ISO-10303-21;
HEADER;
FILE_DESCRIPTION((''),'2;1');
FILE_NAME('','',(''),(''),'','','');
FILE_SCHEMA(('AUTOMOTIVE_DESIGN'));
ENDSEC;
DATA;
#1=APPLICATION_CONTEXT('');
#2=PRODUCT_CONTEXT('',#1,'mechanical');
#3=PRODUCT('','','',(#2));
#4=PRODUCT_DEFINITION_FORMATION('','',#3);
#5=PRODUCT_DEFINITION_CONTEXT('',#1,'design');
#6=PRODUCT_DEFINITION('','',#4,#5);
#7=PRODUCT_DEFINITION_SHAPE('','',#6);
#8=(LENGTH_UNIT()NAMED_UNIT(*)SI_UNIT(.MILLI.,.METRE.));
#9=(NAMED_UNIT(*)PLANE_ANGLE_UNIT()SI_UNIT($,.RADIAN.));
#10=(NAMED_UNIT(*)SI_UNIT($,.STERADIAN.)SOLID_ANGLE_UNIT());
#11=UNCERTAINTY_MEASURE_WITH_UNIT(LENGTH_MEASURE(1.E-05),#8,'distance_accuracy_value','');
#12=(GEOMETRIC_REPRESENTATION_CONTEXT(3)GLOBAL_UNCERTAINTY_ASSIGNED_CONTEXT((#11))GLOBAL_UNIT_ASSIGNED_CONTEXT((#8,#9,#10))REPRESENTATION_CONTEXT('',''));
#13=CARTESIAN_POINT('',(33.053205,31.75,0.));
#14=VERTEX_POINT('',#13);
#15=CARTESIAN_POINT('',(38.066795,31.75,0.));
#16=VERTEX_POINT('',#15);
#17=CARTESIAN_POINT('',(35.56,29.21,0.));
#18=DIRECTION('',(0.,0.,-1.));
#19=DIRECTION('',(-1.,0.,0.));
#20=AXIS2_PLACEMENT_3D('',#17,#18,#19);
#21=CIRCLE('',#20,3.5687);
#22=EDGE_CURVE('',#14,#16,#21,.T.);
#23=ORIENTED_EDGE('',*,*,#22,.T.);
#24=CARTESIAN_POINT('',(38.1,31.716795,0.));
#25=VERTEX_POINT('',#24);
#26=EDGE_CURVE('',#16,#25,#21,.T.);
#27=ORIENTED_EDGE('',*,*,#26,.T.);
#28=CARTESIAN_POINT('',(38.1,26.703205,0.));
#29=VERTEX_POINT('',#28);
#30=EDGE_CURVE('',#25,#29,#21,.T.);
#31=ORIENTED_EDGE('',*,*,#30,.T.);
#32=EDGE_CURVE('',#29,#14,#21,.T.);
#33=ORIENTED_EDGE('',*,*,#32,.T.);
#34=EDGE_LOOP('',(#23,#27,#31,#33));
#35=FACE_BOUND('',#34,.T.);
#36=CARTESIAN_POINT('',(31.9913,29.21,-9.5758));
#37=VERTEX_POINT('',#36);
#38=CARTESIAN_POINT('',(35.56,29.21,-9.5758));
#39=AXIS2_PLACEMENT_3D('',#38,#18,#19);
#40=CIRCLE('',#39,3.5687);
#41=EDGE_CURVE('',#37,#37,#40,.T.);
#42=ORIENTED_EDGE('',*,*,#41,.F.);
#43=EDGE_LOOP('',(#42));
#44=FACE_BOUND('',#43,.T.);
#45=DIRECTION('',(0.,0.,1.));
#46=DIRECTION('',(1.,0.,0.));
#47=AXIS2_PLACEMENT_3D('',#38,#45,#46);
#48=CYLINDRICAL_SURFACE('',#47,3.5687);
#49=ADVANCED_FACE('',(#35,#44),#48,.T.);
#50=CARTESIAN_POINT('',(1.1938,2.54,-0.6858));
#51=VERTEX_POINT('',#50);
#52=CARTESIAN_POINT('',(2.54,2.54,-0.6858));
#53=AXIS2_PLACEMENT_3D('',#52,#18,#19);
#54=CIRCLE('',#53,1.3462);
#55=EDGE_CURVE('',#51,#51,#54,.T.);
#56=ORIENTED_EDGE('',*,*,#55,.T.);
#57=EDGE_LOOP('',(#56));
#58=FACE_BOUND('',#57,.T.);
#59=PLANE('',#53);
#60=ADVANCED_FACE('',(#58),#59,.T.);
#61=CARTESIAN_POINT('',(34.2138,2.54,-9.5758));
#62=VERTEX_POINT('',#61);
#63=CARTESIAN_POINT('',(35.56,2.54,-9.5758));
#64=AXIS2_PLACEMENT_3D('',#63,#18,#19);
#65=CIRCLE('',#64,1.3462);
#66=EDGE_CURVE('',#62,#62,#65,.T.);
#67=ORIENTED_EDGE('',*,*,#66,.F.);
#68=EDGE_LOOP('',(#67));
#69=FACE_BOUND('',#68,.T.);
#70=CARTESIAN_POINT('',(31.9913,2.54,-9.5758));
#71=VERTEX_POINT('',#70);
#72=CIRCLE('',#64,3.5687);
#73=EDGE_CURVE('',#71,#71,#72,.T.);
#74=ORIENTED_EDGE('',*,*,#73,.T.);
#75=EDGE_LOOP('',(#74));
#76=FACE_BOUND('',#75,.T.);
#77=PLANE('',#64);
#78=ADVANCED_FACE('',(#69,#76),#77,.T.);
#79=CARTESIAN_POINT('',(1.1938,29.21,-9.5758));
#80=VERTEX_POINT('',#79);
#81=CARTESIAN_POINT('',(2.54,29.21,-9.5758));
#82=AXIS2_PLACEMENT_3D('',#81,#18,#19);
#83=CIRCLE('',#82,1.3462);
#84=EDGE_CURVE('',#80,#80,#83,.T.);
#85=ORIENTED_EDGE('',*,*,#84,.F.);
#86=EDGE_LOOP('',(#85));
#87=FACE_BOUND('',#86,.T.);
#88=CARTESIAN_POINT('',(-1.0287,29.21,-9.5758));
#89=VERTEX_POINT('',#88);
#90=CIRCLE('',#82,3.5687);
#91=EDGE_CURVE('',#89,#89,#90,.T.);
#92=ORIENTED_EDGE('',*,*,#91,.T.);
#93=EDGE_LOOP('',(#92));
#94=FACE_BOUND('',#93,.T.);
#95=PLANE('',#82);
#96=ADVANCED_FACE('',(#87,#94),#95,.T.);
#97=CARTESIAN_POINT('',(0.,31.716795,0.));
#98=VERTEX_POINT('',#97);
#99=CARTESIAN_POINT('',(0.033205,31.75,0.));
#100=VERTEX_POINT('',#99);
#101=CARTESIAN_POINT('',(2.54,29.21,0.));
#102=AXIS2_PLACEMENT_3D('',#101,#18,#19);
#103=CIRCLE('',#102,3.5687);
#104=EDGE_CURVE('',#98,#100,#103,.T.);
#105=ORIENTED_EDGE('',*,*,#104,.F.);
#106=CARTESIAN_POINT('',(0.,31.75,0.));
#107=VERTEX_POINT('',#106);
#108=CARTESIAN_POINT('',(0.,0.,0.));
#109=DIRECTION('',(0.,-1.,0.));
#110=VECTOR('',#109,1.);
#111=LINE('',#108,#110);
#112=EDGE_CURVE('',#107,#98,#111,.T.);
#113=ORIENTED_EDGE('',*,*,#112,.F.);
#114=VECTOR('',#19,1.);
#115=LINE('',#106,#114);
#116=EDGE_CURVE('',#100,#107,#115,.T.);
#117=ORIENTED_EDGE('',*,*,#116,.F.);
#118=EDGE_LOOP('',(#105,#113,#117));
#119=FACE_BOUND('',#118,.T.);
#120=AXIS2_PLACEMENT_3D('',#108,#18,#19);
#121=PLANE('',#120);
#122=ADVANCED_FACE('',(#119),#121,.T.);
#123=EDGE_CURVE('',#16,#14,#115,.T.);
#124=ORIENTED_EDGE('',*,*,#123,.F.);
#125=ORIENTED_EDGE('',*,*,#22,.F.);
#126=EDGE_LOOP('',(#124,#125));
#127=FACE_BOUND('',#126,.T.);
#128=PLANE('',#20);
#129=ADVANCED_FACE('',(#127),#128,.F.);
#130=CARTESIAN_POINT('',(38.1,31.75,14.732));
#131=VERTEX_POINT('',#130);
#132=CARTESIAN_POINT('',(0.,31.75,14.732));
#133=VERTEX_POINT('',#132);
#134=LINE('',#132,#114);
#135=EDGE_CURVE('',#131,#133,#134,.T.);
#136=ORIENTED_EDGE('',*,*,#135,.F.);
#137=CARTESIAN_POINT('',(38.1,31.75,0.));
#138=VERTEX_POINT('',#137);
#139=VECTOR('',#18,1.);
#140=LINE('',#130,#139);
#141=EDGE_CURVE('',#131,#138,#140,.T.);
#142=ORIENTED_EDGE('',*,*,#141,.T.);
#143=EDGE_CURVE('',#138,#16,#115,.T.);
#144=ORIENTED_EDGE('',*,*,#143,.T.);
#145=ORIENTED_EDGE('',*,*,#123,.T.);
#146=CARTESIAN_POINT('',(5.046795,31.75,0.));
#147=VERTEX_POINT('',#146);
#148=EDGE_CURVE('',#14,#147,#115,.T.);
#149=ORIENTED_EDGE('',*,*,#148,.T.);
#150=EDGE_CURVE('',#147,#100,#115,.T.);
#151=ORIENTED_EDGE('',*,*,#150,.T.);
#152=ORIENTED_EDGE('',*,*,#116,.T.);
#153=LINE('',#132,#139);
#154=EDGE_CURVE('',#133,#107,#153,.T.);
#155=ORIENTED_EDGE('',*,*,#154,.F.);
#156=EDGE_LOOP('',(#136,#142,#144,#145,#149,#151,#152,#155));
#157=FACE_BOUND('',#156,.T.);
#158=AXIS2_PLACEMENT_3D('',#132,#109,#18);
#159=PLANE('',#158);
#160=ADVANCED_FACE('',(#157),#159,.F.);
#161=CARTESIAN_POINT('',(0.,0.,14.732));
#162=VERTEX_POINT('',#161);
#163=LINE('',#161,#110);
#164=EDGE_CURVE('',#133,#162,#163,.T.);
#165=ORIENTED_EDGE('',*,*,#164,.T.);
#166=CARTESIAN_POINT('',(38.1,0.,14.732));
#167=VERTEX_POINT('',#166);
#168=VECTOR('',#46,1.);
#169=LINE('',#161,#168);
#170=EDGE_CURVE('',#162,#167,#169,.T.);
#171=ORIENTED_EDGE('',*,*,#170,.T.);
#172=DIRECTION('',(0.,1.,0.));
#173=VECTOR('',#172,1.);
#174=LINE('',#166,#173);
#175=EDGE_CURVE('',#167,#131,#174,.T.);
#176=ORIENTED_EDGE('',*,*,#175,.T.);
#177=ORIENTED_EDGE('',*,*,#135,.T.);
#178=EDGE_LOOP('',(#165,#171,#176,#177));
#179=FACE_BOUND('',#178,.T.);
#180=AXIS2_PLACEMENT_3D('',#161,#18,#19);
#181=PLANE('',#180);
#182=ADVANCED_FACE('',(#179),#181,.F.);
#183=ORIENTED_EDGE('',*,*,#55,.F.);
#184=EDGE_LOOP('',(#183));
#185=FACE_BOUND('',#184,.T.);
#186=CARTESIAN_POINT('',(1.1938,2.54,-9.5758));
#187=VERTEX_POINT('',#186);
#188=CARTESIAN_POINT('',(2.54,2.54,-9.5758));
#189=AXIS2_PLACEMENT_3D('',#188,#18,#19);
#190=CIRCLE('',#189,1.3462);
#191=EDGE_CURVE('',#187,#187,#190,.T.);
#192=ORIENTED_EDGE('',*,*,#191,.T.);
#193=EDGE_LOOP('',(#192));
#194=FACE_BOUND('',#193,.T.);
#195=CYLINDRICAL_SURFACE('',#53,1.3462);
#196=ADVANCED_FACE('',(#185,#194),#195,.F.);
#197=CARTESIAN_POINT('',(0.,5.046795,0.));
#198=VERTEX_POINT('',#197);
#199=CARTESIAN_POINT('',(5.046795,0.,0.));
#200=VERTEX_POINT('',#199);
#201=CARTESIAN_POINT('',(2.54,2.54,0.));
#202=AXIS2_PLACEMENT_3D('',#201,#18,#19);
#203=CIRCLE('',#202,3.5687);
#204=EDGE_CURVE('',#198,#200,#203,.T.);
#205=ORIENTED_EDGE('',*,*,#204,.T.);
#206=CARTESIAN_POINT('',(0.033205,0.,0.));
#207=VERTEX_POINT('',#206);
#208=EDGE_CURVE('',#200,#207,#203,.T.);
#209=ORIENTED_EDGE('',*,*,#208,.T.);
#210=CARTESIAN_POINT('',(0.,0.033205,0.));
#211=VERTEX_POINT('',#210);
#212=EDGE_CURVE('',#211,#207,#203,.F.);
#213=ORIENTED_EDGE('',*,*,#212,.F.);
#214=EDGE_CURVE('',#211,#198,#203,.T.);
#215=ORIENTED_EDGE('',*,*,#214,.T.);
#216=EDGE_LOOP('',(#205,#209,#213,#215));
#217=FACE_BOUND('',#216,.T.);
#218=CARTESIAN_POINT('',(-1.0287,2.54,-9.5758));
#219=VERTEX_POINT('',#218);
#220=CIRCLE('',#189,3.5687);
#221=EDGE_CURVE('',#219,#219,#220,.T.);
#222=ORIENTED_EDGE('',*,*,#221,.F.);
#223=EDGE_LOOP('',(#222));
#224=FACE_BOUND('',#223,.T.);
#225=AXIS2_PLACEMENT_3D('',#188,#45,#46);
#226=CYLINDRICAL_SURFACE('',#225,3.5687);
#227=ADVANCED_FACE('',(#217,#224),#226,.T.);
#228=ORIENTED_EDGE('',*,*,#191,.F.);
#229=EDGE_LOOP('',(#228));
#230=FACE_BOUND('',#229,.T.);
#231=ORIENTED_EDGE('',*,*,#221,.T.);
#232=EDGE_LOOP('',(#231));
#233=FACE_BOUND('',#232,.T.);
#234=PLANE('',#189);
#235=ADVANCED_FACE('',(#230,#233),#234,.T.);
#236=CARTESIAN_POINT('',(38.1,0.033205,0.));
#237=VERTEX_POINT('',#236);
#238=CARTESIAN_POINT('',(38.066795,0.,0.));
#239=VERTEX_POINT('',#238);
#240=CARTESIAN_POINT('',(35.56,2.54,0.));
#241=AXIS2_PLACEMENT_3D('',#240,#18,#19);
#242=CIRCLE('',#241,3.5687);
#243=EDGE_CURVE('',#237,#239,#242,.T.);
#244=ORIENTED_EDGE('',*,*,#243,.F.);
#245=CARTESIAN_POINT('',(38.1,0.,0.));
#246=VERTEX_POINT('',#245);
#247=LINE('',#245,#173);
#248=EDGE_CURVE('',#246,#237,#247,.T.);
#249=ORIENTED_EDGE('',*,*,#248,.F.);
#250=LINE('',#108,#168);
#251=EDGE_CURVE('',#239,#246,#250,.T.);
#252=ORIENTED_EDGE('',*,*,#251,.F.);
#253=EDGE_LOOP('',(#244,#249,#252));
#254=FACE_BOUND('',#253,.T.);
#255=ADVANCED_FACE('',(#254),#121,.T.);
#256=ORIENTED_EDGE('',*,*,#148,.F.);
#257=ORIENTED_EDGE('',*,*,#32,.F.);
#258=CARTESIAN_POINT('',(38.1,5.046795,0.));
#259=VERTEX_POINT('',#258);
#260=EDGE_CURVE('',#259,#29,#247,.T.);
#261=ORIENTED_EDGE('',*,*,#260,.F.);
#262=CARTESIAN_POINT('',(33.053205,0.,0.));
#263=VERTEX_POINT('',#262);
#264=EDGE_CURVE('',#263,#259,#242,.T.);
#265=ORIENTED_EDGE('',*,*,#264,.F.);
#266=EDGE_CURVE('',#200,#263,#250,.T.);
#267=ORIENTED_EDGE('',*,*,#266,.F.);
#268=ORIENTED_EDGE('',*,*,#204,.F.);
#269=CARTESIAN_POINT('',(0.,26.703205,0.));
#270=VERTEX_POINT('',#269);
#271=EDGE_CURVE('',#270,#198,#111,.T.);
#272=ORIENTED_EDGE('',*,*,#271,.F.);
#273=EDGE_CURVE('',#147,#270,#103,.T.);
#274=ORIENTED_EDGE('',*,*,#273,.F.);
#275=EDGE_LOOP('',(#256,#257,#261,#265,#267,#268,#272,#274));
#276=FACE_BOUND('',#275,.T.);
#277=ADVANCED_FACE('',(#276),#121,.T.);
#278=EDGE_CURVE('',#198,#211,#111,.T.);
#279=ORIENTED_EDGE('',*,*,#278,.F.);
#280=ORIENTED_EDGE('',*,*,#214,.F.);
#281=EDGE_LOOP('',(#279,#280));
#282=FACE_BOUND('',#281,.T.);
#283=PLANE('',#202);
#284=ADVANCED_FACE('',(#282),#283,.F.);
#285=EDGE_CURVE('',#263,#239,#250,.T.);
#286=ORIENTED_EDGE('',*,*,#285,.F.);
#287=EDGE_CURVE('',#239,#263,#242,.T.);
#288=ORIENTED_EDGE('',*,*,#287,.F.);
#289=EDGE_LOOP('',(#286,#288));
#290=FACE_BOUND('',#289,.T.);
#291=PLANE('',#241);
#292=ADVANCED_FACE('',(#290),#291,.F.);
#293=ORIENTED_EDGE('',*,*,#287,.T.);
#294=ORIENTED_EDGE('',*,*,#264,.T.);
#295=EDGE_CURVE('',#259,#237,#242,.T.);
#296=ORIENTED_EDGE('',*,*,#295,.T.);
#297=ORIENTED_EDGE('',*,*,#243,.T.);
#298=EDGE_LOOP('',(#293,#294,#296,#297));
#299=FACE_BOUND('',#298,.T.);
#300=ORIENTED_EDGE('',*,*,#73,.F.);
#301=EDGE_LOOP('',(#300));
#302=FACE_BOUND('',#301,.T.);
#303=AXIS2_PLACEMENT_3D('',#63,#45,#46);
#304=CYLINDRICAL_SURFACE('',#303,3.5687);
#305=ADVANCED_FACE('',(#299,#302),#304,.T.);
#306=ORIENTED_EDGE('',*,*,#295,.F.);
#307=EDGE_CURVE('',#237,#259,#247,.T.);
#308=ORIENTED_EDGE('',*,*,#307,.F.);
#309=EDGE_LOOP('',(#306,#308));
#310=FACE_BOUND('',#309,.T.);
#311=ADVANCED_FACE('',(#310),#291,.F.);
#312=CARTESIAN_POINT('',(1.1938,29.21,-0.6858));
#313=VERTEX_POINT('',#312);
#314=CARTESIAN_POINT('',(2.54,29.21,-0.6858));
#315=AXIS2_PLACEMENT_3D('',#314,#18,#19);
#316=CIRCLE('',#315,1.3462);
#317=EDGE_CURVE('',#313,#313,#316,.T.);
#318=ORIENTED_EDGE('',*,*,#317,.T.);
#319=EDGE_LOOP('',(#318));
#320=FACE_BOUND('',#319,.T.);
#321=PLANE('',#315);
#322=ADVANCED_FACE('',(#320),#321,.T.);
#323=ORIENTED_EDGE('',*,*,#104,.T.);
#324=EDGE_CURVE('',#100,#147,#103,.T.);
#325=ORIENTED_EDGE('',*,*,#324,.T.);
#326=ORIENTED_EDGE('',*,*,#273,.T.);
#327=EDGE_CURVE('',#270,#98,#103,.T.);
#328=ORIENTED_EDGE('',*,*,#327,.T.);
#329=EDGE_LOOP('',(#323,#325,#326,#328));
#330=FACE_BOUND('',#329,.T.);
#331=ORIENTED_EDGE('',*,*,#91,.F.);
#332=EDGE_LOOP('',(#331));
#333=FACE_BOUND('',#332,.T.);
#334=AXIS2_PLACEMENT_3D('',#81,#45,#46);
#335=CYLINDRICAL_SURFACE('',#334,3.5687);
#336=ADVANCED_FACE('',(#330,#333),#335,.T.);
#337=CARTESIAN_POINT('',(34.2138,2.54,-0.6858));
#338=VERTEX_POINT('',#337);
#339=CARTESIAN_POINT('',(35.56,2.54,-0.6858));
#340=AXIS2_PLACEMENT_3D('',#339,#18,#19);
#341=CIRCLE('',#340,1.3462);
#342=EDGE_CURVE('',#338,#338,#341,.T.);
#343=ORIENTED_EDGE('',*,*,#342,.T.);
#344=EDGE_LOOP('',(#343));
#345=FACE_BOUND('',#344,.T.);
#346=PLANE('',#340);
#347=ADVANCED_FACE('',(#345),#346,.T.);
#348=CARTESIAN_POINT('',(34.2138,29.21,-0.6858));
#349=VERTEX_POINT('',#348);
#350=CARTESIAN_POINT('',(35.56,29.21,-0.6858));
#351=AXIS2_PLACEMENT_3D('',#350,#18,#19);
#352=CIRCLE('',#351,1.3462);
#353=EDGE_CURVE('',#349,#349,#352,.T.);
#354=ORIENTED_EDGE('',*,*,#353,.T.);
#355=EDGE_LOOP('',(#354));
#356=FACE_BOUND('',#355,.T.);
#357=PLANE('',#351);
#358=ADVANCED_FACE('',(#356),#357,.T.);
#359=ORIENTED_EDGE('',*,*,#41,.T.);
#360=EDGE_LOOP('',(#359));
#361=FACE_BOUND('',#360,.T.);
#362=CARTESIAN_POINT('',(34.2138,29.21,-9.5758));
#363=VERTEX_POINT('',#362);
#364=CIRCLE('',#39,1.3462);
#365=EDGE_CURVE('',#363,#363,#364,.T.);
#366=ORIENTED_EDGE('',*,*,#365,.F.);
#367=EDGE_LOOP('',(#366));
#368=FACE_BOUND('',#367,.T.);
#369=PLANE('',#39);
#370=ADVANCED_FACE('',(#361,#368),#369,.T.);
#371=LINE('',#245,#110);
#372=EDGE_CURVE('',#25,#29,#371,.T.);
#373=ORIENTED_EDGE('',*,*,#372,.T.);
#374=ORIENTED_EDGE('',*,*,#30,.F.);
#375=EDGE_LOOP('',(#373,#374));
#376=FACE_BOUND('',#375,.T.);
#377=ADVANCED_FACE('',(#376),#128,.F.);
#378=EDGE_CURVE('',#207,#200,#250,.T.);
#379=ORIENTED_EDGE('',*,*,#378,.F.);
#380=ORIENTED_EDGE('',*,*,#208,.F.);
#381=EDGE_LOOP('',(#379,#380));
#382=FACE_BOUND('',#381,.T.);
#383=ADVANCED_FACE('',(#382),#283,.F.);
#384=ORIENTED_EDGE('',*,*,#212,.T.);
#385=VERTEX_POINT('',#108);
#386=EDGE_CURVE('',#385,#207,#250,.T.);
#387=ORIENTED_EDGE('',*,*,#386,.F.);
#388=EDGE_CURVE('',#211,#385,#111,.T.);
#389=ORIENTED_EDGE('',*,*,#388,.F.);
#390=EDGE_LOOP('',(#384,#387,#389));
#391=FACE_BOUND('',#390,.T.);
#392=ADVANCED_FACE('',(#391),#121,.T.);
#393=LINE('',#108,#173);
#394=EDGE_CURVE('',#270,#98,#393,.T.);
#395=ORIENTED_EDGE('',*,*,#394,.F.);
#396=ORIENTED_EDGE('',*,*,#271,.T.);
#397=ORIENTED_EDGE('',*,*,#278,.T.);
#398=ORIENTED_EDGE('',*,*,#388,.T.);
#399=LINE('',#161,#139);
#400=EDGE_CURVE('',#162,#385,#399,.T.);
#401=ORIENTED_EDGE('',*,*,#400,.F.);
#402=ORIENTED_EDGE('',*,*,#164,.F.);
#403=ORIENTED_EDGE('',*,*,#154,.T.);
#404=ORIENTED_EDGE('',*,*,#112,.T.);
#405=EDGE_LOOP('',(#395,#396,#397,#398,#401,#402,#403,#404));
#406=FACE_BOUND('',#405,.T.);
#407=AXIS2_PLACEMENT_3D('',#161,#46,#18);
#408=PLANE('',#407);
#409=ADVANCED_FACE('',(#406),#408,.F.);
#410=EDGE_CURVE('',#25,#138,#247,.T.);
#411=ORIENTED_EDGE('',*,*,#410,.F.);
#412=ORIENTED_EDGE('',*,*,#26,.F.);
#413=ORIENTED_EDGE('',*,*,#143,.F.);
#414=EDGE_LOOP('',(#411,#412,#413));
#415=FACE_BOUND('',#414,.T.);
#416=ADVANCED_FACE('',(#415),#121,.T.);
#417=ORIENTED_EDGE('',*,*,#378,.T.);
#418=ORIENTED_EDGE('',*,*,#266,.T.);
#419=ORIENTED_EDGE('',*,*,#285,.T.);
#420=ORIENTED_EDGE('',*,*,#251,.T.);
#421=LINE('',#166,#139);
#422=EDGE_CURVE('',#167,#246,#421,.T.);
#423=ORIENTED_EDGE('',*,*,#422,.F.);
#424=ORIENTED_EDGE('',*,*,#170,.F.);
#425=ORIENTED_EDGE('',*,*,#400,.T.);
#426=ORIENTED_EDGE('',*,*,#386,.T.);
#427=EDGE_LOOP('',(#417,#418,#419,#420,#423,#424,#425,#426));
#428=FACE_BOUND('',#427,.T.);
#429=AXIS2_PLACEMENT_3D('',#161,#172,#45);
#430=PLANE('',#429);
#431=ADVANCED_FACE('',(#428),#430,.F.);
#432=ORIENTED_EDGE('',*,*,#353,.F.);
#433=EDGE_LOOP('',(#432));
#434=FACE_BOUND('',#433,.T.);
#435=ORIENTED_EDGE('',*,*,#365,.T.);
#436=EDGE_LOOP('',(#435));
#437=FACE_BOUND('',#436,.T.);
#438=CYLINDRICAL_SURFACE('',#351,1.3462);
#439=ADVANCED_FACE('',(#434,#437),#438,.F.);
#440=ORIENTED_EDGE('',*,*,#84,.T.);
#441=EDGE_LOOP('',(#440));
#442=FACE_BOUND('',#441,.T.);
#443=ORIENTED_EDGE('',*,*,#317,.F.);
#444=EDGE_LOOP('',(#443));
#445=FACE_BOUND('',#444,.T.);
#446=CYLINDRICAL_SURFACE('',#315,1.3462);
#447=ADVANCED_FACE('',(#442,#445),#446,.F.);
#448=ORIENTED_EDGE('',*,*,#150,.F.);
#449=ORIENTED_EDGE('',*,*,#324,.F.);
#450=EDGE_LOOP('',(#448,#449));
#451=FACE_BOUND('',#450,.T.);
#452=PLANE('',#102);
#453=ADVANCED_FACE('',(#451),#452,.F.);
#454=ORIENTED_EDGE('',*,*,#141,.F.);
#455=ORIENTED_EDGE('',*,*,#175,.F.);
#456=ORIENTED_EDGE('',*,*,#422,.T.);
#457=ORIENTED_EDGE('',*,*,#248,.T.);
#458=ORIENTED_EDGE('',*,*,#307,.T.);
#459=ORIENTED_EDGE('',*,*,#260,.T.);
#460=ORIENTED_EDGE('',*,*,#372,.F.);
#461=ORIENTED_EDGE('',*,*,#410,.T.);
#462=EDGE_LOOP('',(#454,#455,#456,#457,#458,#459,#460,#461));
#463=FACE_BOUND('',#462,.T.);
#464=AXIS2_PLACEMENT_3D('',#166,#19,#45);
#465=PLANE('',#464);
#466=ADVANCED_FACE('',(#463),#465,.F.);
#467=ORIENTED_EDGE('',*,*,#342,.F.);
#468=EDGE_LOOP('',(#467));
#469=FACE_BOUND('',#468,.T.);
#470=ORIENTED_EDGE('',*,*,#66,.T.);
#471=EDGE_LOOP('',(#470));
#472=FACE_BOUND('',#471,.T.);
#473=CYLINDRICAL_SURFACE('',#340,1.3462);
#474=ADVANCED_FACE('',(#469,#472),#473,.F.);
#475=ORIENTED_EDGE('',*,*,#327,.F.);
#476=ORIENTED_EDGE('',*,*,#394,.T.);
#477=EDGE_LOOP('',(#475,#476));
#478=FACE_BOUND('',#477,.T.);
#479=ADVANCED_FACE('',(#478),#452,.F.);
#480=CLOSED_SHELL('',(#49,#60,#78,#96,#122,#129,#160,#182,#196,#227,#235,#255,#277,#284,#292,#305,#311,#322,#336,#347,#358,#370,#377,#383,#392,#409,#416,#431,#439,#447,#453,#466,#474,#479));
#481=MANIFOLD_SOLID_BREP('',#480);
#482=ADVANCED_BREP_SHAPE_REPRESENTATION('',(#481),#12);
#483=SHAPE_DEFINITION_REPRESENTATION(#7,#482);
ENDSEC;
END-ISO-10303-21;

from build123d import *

# Parameters (mm, degrees)
SKETCH1_W           = 38.1
SKETCH1_H           = 31.75
BOSS_EXTRUDE1_DEPTH = 14.732
SKETCH2_R           = 3.5687
BOSS_EXTRUDE2_DEPTH = 9.5758
SKETCH3_R           = 1.3462
CUT_EXTRUDE1_DEPTH  = 8.89


with BuildPart() as part:
    # Sketch1 → Boss-Extrude1 (new body)
    with BuildSketch(Plane.XY):
        with Locations((19.05, 15.875)):
            Rectangle(SKETCH1_W, SKETCH1_H)
    extrude(amount=BOSS_EXTRUDE1_DEPTH)

    # Sketch2 → Boss-Extrude2 (add)
    with BuildSketch(Plane(origin=(0, 0, 0), x_dir=(-1, 0, 0), z_dir=(0, 0, -1))):
        with Locations(Location((-35.56, 2.54, 0), (0, 0, 224.623028882))):
            Circle(SKETCH2_R)
        with Locations(Location((-2.54, 2.54, 0), (0, 0, 225.376971118))):
            Circle(SKETCH2_R)
        with Locations(Location((-35.56, 29.21, 0), (0, 0, 135.376971118))):
            Circle(SKETCH2_R)
        with Locations(Location((-2.54, 29.21, 0), (0, 0, 134.623028882))):
            Circle(SKETCH2_R)
    extrude(amount=BOSS_EXTRUDE2_DEPTH)

    # Sketch3 → Cut-Extrude1 (cut)
    with BuildSketch(Plane(origin=(0, 0, -9.5758), x_dir=(-1, 0, 0), z_dir=(0, 0, -1))):
        with Locations((-35.56, 29.21)):
            Circle(SKETCH3_R)
        with Locations((-2.54, 29.21)):
            Circle(SKETCH3_R)
        with Locations((-2.54, 2.54)):
            Circle(SKETCH3_R)
        with Locations((-35.56, 2.54)):
            Circle(SKETCH3_R)
    extrude(amount=-CUT_EXTRUDE1_DEPTH, mode=Mode.SUBTRACT)


solid = part.part
